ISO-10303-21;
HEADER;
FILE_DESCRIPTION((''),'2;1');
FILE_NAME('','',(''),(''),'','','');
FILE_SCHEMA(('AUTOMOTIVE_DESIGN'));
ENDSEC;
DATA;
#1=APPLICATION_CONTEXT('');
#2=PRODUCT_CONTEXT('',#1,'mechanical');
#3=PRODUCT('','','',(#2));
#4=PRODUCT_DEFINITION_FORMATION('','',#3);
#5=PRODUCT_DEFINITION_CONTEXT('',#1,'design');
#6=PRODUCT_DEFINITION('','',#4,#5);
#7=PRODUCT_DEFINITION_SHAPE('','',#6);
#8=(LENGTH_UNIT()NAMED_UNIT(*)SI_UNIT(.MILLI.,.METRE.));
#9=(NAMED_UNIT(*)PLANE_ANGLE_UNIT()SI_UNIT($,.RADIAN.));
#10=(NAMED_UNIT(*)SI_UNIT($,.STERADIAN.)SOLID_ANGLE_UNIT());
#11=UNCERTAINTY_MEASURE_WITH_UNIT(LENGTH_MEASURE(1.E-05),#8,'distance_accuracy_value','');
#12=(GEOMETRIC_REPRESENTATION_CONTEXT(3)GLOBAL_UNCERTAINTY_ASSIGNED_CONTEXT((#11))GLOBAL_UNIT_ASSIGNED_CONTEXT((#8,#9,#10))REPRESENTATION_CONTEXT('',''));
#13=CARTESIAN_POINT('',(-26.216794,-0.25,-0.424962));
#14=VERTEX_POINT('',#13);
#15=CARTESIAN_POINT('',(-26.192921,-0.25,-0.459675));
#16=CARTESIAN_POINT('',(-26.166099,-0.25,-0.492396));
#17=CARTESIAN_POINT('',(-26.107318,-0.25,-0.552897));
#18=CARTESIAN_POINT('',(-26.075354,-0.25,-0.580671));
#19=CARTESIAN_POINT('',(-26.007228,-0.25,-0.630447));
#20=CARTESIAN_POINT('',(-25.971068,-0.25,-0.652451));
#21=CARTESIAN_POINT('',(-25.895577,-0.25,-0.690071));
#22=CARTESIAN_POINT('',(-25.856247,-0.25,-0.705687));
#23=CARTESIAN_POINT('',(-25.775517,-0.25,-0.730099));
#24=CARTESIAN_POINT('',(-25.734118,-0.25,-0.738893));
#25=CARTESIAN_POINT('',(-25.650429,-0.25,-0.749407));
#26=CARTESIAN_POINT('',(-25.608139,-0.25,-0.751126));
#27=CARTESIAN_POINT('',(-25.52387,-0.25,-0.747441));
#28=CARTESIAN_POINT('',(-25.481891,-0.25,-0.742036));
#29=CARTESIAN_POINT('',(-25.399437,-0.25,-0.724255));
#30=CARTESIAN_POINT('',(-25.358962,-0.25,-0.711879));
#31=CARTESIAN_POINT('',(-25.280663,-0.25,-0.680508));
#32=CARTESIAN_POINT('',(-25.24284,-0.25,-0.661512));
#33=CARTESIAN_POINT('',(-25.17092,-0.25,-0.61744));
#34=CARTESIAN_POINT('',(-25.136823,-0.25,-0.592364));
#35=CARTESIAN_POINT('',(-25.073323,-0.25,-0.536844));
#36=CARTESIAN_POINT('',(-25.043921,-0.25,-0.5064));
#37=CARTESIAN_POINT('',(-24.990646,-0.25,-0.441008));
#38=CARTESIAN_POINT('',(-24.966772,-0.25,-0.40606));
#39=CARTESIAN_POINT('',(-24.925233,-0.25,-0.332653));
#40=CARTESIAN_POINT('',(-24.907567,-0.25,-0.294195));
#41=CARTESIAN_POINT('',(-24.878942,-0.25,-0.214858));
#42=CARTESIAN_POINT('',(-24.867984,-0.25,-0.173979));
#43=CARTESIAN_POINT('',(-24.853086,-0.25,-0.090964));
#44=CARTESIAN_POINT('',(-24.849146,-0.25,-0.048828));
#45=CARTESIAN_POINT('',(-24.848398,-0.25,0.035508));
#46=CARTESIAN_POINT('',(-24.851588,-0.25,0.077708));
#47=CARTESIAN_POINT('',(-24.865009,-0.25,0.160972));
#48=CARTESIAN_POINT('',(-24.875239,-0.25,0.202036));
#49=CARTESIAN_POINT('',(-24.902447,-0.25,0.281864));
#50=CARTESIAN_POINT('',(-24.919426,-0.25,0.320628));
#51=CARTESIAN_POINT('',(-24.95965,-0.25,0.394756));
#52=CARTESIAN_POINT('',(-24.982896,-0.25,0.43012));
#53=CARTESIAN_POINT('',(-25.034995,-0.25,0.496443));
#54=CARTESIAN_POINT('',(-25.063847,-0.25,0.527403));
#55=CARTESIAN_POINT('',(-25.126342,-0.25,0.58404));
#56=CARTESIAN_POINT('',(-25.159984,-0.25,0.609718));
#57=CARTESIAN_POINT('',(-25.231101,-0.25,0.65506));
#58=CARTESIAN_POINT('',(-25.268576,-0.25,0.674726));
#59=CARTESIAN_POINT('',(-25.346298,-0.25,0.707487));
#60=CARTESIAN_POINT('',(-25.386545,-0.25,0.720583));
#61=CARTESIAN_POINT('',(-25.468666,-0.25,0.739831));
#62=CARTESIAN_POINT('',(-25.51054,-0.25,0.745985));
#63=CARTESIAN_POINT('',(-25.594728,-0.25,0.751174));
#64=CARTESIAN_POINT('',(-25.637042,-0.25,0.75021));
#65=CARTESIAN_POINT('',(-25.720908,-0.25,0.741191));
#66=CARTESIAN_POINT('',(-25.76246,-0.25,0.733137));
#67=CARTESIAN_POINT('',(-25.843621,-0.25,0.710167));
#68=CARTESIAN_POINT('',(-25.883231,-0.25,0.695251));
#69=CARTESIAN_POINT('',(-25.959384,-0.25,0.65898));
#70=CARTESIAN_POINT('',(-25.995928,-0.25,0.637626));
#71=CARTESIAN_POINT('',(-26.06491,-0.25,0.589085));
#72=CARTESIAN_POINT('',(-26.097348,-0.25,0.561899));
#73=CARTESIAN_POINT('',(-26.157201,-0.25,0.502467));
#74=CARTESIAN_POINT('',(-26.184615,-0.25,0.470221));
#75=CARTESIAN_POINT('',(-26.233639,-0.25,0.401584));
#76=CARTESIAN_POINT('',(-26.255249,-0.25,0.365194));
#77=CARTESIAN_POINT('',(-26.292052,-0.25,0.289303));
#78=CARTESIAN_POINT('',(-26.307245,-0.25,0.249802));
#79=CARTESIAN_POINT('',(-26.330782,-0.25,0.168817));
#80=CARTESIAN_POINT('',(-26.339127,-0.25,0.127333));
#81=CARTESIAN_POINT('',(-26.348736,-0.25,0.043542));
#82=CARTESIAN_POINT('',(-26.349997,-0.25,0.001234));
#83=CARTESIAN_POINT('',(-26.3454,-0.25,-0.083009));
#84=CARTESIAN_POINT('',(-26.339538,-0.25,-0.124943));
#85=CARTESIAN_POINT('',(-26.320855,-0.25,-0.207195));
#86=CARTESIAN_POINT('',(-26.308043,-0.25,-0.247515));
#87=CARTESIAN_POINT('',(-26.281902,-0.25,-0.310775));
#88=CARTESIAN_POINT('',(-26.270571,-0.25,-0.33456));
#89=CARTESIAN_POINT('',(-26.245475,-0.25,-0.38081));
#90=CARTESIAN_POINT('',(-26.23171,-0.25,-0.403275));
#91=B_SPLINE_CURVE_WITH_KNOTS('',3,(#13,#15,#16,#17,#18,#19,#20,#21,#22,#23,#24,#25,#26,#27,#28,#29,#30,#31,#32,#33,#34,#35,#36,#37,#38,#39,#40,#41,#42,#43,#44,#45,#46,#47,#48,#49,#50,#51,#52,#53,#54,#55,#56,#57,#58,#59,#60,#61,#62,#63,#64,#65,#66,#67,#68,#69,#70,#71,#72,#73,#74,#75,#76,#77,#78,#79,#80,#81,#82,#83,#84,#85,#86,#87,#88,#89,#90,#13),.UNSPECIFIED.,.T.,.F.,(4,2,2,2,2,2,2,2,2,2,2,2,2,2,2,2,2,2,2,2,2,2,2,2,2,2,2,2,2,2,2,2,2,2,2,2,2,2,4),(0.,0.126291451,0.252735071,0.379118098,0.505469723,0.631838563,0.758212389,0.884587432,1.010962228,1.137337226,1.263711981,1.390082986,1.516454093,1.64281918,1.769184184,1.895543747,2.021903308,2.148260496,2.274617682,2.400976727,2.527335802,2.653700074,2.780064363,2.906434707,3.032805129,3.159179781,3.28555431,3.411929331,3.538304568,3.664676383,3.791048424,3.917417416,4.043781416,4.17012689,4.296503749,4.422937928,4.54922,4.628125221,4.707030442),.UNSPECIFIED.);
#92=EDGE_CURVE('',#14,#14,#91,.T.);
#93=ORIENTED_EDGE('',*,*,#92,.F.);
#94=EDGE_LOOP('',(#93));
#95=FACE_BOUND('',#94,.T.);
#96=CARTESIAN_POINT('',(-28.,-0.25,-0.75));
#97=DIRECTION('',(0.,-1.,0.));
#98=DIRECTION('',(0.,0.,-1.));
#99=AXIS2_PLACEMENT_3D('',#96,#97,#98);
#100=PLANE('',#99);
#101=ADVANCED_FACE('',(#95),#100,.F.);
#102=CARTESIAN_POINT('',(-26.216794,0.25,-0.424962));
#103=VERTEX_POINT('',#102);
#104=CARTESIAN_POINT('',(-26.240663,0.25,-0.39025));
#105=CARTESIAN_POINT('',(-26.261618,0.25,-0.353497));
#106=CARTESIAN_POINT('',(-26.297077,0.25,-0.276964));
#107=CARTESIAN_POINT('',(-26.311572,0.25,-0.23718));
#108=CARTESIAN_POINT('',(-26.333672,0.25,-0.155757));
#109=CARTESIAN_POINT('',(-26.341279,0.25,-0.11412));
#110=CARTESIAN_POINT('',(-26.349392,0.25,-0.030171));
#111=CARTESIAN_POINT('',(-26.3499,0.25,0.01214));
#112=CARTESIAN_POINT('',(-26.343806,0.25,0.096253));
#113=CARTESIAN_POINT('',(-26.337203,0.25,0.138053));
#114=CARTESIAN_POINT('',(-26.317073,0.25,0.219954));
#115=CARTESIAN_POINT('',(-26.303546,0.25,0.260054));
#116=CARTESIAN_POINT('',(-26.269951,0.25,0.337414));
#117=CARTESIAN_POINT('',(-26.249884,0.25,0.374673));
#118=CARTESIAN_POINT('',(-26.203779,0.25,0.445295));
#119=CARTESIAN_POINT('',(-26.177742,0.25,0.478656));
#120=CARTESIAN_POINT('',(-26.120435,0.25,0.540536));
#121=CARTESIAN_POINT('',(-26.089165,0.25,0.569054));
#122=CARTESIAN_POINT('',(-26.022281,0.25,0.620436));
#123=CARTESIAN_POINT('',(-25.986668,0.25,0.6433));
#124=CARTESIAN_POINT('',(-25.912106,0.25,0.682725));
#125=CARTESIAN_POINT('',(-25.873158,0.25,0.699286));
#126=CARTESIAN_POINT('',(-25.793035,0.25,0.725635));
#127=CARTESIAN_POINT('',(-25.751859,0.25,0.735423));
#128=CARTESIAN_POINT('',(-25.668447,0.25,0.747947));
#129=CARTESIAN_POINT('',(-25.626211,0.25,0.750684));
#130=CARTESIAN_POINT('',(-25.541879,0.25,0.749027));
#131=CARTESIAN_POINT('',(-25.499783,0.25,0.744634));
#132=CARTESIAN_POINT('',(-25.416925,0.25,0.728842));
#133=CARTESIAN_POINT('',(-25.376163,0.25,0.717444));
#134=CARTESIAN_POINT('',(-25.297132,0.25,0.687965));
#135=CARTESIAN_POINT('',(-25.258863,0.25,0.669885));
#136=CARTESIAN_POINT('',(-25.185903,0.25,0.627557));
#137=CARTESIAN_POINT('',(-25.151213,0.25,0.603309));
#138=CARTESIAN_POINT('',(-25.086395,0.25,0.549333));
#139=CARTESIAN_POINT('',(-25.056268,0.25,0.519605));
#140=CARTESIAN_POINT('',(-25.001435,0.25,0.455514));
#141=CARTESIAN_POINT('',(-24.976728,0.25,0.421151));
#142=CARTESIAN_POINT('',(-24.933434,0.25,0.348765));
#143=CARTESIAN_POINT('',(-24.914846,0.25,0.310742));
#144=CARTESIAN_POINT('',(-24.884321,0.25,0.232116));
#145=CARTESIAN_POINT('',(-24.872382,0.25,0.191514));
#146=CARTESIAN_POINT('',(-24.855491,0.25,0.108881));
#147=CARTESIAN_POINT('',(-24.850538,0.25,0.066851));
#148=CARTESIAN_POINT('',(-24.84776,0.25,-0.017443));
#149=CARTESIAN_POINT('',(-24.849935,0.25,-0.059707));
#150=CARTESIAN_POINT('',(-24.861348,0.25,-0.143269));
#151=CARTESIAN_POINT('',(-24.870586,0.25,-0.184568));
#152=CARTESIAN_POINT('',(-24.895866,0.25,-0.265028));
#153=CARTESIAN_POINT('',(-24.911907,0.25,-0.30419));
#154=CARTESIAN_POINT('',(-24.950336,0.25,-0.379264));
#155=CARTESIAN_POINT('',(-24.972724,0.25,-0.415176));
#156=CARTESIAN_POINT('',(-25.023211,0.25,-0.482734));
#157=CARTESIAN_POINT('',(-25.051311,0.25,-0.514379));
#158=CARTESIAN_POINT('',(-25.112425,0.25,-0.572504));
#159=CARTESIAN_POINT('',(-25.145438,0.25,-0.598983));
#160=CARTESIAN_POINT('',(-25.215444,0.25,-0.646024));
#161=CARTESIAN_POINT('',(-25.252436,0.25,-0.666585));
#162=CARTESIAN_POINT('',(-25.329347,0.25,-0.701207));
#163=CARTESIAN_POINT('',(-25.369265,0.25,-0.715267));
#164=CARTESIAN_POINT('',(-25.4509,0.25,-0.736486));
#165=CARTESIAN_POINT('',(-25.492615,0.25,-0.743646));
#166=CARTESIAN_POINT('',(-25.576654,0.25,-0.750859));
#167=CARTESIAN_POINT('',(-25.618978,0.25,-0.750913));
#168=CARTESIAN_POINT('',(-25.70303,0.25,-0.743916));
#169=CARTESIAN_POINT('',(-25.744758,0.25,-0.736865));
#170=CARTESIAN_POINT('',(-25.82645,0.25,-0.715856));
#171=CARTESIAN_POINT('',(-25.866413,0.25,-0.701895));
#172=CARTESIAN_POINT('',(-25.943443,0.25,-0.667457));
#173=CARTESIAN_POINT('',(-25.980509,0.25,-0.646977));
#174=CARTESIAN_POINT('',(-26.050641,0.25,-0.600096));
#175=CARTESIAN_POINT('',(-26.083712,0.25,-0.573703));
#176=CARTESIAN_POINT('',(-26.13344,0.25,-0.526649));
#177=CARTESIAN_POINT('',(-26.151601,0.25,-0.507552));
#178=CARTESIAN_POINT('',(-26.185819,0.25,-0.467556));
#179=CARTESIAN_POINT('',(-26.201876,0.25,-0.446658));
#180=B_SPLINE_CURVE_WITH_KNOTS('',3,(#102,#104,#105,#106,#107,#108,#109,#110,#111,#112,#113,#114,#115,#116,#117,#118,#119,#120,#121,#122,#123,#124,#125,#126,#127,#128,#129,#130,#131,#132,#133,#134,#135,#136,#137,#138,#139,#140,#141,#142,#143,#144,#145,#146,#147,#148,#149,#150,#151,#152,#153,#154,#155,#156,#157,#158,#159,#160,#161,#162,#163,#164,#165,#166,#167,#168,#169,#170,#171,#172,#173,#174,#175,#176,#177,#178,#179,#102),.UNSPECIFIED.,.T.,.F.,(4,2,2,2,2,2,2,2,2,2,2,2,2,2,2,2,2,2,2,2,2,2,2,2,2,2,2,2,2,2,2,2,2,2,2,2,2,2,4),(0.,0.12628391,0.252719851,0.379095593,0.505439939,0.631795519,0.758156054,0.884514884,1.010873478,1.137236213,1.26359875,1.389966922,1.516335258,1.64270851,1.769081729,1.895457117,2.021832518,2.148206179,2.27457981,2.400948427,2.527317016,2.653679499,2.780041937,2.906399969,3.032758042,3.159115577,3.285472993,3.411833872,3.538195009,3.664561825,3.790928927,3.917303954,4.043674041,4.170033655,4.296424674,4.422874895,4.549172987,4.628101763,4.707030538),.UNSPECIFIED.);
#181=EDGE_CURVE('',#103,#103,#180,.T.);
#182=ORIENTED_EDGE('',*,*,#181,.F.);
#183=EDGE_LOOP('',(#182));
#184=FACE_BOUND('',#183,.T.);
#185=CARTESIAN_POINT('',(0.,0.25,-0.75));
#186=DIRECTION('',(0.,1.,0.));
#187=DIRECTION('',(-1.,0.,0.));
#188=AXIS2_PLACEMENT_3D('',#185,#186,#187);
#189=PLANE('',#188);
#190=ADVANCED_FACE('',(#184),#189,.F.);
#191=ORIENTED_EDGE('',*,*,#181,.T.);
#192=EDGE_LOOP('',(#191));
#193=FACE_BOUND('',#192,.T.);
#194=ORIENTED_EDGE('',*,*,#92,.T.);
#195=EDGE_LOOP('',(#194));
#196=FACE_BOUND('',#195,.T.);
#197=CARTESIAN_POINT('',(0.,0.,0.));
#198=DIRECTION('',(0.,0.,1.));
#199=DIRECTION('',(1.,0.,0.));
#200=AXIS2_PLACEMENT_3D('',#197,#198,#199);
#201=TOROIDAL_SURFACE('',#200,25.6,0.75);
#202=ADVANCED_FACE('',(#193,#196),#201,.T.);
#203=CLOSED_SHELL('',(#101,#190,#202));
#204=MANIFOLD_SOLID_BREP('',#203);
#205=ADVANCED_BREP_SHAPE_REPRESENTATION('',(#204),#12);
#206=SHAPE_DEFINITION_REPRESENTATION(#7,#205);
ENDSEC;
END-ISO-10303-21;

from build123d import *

# Parameters (mm, degrees)
SKETCH3_R               = 0.75
CUT_EXTRUDE1_DEPTH      = 38.27207414
CUT_EXTRUDE1_DEPTH_BACK = 38.27207414


with BuildPart() as part:
    # Sweep1: sweep along a path in Sketch1
    with BuildLine(Plane.XY) as sweep1_path:
        CenterArc((0, 0), 25.6, 0, 360)
    # Sketch3 → Sweep1 (sweep)
    with BuildSketch(Plane(origin=(0, 0, 0), x_dir=(1, 0, 0), z_dir=(0, 1, 0))):
        with Locations((-25.6, 0)):
            Circle(SKETCH3_R)
    sweep(path=sweep1_path.line)

    # Sketch4 → Cut-Extrude1 (cut, two sides: drawn at the far end of the back side and taken through both)
    with BuildSketch(Plane.XY.offset(-CUT_EXTRUDE1_DEPTH_BACK)):
        Polygon((0, 0), (0, 0.25), (-28, 0.25), (-28, -0.25), (0, -0.25), align=None)
    extrude(amount=CUT_EXTRUDE1_DEPTH + CUT_EXTRUDE1_DEPTH_BACK, mode=Mode.SUBTRACT)


solid = part.part
